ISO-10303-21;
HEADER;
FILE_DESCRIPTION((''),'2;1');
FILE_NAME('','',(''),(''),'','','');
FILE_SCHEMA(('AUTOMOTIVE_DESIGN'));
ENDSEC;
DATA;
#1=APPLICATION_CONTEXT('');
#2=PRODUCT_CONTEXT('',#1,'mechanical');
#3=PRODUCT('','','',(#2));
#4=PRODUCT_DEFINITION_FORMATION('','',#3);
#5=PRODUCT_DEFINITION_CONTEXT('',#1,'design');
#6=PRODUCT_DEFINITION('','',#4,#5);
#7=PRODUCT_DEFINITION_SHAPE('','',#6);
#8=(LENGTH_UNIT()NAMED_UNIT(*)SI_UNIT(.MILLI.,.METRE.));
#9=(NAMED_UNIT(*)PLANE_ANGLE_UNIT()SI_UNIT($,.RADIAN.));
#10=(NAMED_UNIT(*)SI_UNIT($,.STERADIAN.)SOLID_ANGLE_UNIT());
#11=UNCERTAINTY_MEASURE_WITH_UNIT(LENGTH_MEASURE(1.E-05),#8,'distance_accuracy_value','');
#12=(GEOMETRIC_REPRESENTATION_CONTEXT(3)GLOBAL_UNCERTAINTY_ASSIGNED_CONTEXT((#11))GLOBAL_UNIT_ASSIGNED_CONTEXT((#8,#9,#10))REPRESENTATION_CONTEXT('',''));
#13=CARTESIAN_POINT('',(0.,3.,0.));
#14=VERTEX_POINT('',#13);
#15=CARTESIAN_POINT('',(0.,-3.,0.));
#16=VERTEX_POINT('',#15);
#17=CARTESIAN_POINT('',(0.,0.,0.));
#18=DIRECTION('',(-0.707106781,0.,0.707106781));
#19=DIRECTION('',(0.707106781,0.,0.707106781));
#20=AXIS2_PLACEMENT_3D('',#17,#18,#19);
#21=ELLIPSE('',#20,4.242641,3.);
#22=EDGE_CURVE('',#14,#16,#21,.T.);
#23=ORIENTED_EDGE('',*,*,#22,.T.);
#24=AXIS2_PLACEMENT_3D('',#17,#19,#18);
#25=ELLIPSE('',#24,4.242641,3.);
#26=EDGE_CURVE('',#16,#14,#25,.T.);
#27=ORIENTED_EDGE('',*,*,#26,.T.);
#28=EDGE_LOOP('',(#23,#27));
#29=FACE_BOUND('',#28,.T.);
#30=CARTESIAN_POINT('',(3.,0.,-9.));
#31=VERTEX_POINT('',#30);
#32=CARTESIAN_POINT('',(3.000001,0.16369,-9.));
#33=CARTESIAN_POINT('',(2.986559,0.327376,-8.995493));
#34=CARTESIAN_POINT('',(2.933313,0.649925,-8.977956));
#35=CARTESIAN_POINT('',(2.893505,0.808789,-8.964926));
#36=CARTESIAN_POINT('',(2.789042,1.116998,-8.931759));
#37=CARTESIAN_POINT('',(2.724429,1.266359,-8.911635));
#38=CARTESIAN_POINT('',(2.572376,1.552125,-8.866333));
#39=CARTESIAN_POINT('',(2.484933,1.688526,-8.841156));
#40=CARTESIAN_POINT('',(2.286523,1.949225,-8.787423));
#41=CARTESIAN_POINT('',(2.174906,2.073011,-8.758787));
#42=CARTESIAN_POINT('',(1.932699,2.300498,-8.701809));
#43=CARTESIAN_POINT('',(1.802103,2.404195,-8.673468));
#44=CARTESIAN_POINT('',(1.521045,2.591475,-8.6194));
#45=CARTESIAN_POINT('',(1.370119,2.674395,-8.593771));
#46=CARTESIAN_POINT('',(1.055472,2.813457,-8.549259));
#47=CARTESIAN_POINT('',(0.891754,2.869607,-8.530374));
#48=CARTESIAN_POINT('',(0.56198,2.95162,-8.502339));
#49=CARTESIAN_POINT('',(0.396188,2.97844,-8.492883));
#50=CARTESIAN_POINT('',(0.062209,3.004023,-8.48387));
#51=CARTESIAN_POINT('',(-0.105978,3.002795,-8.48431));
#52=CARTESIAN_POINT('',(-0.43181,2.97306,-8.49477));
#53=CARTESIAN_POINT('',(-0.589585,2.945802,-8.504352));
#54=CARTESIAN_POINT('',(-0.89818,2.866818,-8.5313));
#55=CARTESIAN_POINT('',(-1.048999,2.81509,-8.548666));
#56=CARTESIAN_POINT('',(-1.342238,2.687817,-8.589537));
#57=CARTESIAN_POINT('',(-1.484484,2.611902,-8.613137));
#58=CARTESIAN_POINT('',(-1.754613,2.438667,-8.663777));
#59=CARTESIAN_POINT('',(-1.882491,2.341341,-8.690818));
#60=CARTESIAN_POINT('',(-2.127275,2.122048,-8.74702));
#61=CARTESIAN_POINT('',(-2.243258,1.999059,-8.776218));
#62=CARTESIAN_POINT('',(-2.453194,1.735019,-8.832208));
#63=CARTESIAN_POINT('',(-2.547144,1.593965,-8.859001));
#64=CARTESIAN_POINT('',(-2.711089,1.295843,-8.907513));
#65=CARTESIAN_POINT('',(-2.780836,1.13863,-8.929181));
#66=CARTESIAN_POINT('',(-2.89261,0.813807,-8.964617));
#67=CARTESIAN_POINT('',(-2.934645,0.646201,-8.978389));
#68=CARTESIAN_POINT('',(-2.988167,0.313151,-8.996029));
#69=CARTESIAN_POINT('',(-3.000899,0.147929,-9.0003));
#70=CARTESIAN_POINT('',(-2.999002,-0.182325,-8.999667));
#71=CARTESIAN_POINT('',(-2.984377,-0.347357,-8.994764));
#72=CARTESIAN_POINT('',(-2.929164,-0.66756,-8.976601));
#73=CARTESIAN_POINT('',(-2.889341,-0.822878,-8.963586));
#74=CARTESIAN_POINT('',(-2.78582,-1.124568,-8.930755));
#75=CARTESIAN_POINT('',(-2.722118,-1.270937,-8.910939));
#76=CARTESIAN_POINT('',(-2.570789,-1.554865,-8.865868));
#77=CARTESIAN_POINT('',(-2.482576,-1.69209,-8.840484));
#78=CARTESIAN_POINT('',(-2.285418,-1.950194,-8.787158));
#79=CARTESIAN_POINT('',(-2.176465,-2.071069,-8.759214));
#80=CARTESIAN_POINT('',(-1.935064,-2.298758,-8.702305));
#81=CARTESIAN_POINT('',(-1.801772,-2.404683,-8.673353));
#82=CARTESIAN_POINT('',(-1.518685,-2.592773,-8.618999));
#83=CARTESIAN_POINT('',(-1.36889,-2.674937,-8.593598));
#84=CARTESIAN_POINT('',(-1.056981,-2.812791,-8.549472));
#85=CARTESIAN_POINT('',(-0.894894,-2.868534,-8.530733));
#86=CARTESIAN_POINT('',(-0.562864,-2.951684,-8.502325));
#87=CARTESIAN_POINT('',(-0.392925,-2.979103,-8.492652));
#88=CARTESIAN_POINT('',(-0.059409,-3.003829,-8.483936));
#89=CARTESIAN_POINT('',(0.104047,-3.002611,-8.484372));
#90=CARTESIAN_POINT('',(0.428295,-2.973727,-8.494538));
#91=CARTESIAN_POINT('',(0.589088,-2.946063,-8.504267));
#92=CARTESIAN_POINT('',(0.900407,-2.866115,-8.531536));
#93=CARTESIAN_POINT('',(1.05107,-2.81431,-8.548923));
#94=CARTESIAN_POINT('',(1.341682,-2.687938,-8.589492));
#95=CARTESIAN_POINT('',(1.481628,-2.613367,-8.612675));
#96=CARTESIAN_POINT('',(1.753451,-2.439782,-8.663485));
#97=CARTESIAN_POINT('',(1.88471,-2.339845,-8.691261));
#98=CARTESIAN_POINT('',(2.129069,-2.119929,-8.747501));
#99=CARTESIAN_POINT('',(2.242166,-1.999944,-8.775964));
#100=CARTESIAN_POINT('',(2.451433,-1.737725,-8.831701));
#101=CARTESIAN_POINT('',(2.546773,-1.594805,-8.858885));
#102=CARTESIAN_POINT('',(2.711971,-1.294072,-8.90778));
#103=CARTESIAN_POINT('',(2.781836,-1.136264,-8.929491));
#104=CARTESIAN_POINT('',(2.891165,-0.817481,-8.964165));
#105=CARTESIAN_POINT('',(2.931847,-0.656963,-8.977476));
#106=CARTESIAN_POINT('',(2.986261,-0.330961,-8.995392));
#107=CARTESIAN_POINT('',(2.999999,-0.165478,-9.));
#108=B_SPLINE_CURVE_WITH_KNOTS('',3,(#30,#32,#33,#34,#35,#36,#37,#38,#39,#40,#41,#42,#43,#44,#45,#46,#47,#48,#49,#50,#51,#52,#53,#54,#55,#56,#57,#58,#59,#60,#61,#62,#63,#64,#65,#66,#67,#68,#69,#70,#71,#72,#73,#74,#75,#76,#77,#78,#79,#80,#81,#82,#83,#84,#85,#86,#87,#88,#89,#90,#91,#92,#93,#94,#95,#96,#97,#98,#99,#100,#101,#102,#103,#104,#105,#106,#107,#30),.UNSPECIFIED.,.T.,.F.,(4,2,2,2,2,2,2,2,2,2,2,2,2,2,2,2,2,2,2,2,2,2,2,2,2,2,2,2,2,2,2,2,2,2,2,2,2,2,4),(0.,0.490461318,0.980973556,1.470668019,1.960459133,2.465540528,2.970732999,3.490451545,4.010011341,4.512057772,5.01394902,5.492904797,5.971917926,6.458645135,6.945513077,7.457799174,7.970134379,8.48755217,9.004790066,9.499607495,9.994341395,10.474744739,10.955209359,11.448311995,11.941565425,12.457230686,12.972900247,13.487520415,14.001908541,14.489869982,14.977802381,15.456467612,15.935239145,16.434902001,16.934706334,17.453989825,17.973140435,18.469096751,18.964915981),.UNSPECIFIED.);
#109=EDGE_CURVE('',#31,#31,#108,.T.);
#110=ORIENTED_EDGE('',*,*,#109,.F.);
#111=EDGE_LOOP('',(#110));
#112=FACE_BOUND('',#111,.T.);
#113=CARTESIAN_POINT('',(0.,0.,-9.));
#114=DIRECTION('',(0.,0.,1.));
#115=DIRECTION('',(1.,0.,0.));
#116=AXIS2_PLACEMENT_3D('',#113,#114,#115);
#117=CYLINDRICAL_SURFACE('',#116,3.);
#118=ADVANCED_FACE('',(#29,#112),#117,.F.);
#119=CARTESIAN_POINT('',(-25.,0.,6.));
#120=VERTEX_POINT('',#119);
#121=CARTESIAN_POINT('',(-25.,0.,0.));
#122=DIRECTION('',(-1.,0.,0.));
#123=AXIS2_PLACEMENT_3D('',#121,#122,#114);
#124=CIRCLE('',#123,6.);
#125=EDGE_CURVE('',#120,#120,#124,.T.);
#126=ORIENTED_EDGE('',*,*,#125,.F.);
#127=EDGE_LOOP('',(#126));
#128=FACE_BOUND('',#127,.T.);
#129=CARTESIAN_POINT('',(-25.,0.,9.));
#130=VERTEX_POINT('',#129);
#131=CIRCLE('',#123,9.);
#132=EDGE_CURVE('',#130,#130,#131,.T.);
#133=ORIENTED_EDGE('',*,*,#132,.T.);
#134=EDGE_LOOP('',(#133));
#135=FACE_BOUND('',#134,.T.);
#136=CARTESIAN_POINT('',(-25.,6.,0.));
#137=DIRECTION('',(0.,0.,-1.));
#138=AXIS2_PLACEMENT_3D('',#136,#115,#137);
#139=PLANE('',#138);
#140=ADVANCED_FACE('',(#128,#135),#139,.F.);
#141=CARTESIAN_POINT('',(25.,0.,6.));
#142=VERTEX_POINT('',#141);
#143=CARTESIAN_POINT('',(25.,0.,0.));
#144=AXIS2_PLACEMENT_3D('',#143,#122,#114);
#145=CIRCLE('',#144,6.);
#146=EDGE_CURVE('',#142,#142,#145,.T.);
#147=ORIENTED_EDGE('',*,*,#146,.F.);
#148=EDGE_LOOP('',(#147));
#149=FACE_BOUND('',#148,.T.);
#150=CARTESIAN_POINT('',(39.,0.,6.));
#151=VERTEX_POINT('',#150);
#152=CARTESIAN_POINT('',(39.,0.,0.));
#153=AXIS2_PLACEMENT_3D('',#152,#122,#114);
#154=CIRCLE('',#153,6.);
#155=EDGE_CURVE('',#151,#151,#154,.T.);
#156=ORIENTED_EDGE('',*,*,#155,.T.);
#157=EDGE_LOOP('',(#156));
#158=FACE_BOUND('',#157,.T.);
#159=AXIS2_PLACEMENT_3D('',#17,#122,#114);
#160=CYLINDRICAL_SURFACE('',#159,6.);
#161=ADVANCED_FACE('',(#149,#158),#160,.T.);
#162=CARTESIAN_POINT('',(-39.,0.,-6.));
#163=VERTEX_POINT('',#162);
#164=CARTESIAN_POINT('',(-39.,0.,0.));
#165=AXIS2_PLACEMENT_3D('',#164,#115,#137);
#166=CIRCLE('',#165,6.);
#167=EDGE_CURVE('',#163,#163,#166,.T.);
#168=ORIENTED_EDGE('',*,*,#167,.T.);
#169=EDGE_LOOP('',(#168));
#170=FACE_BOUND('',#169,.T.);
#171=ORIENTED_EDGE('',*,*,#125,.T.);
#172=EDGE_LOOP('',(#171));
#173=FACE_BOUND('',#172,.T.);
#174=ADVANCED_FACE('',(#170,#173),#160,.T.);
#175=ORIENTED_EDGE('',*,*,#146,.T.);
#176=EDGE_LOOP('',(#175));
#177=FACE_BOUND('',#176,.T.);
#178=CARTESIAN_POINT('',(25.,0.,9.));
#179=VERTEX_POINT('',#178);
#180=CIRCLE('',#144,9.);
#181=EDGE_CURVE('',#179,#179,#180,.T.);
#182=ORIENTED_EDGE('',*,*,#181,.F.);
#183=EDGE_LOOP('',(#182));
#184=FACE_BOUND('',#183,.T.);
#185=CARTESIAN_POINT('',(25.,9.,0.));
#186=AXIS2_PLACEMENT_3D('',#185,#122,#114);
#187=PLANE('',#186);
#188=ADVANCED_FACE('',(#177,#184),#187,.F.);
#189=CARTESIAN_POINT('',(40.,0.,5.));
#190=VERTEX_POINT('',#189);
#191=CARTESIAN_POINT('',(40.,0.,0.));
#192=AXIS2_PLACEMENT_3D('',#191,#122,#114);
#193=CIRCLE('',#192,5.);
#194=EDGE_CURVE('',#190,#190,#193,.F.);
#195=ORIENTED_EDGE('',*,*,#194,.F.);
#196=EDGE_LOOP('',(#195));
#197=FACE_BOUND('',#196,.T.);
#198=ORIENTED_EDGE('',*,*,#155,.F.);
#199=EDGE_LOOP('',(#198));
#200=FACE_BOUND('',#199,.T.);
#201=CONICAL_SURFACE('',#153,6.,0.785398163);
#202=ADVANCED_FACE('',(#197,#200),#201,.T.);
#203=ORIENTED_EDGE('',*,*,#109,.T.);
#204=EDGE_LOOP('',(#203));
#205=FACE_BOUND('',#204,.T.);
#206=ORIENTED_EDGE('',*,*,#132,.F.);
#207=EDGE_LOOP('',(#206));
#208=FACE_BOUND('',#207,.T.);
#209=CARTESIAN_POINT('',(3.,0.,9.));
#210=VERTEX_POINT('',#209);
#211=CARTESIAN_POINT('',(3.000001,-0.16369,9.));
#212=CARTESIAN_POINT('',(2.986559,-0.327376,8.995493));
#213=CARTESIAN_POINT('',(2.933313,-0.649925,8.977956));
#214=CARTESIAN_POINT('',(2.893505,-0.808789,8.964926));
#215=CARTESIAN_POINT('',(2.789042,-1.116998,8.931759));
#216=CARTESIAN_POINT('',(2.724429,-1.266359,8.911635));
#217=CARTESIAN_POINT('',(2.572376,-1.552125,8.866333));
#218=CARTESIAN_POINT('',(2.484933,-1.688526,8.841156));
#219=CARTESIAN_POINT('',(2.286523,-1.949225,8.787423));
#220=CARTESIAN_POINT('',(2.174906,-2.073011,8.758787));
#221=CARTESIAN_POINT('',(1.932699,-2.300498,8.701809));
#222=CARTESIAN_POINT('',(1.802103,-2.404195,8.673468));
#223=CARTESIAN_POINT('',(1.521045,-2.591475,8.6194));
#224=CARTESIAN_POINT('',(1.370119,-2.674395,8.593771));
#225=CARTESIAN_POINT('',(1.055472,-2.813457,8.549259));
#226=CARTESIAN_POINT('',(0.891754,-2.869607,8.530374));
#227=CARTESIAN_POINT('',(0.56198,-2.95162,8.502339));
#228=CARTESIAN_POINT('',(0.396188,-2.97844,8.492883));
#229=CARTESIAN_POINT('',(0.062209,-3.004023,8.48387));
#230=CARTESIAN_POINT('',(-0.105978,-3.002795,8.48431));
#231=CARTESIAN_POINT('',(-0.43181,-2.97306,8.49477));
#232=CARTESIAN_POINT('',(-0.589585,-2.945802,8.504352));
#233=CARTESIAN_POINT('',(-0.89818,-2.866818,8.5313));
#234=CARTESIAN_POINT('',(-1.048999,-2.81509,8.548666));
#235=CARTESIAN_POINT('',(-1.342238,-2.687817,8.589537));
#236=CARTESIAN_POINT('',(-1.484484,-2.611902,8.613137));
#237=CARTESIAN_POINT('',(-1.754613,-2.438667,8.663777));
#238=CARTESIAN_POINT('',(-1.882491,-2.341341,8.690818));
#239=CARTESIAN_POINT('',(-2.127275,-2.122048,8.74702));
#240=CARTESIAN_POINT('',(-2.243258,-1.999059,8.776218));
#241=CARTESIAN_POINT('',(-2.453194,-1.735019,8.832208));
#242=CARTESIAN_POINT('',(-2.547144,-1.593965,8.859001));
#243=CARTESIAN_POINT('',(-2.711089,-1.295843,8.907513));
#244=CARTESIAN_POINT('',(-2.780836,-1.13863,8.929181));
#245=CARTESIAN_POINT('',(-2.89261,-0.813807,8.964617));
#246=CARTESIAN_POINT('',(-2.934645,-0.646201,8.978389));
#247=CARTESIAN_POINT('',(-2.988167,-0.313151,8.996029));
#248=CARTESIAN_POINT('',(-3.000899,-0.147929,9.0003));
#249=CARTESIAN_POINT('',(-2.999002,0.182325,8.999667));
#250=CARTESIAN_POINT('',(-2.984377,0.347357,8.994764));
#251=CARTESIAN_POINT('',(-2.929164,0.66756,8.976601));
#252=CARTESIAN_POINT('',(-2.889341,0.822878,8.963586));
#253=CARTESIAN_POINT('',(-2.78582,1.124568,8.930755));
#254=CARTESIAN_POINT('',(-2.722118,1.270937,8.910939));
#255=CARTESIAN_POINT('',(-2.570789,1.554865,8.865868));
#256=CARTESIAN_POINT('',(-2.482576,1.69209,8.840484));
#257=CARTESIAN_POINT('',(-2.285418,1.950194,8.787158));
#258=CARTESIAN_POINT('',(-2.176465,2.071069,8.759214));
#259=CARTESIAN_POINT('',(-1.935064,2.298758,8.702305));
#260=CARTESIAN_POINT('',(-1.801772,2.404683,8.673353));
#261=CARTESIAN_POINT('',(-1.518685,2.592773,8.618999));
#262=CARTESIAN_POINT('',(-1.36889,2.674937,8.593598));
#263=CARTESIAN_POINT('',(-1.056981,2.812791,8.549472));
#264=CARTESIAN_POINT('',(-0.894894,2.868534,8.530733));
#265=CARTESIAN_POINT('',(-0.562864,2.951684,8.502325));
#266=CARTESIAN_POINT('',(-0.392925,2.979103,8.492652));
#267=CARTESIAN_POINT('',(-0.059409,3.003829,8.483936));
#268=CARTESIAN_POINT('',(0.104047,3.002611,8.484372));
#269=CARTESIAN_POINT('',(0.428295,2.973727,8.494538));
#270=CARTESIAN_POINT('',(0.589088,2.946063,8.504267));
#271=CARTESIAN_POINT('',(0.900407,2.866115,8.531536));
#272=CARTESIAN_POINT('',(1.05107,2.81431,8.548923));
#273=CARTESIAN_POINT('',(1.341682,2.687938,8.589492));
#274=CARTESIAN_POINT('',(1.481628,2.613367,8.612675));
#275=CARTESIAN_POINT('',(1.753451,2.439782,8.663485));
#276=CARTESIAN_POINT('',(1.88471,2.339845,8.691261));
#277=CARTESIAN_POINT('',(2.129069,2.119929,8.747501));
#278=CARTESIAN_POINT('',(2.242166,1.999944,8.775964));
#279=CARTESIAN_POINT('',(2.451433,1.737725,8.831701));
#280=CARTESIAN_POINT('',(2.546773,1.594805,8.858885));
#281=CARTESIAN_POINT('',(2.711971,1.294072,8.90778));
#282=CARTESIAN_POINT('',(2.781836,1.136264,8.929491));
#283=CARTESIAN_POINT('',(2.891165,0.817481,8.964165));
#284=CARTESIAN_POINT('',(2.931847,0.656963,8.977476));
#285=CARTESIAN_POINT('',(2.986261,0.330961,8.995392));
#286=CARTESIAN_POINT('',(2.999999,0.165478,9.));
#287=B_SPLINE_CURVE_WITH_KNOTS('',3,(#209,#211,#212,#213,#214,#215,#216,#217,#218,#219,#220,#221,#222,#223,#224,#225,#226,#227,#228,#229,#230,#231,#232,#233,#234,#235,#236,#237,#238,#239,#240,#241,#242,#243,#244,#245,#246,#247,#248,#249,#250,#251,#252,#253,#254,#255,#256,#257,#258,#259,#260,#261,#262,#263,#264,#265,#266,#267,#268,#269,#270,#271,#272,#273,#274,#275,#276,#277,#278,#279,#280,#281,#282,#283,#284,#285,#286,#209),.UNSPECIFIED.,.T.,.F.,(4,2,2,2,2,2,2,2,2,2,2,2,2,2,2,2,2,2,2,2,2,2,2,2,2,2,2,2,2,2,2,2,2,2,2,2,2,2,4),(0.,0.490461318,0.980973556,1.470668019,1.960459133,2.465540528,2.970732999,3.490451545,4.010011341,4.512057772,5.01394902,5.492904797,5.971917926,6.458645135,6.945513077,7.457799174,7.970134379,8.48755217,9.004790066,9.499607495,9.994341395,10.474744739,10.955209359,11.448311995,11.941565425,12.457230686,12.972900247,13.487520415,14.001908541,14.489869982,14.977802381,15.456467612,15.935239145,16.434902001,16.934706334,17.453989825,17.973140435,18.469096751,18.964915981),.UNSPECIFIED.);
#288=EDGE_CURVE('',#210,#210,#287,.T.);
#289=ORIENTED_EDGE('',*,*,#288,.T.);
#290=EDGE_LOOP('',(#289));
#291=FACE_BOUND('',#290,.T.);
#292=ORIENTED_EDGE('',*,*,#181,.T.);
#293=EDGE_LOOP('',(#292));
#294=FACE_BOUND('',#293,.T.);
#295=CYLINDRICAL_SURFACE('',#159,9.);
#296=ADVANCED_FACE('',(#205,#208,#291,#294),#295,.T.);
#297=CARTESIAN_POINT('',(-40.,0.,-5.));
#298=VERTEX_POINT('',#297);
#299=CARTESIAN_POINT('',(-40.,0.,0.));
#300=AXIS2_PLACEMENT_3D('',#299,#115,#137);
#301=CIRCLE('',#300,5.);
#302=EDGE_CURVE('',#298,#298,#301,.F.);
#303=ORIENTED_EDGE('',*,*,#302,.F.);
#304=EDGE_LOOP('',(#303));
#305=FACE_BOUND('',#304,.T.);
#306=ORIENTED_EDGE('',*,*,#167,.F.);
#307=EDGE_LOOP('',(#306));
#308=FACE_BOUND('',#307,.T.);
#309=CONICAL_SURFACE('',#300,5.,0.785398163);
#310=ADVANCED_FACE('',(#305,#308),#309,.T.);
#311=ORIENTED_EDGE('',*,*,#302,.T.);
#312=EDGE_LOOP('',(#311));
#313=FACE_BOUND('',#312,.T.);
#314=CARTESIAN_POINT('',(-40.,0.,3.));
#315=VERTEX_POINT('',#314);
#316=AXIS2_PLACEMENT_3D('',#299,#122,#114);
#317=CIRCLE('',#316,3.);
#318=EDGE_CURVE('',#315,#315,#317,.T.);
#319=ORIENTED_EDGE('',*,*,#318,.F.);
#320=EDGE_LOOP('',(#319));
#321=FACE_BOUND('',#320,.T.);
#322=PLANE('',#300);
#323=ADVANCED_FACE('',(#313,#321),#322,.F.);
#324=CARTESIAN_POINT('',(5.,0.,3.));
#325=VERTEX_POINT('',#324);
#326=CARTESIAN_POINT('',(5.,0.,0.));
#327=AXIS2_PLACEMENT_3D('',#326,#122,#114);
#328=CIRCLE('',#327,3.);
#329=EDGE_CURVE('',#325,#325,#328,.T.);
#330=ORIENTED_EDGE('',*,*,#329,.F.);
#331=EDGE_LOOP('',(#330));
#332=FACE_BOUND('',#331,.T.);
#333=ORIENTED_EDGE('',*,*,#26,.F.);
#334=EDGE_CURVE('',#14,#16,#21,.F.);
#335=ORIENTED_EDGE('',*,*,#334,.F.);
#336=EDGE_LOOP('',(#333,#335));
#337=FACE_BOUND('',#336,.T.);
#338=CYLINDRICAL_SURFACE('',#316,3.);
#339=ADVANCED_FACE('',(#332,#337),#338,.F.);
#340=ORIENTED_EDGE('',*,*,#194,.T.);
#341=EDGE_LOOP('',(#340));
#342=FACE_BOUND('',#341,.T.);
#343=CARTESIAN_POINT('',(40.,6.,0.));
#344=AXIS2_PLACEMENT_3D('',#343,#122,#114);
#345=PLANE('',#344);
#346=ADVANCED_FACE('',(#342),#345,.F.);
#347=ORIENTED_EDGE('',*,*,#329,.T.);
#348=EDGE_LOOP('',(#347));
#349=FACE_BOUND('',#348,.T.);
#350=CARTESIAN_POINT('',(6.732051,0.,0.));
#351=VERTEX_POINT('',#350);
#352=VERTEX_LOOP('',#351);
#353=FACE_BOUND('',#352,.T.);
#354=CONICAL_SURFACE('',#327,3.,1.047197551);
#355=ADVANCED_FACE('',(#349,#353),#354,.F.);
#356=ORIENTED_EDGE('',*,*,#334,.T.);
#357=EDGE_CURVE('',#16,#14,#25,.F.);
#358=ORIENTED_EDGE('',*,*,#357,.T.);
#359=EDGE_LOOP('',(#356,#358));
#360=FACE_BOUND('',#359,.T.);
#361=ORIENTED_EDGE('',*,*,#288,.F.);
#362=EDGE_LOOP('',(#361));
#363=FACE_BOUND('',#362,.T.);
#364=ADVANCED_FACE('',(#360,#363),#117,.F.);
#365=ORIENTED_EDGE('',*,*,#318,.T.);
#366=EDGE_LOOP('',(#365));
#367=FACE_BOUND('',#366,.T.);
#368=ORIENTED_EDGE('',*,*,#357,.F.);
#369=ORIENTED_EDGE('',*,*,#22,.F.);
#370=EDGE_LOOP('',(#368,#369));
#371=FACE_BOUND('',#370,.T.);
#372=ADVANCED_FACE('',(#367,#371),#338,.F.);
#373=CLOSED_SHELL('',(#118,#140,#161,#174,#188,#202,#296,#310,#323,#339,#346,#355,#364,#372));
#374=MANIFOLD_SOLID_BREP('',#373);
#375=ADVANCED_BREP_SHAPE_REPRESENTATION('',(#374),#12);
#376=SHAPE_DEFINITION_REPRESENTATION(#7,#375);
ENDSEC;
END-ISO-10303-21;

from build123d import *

# Parameters (mm, degrees)
CUT_EXTRUDE1_DEPTH        = 42.976183724
CUT_EXTRUDE1_DEPTH_BACK   = 42.976183724
SKETCH2_R                 = 3
F_6_0MM_DOWEL_HOLE1_D     = 6
F_6_0MM_DOWEL_HOLE1_DEPTH = 45
F_6_0MM_DOWEL_HOLE1_TIP   = 1.732050808
CHAMFER1_SIZE             = 1


with BuildPart() as part:
    # Sketch1 → Revolve1 (revolve)
    with BuildSketch(Plane.XY, mode=Mode.PRIVATE) as revolve1_sk:
        Polygon((-40, 0), (-40, 6), (-25, 6), (-25, 9), (25, 9), (25, 6), (40, 6), (40, 0), align=None)
    revolve(revolve1_sk.sketch.rotate(Axis((0, 0, 0), (1, 0, 0)), 90), axis=Axis((0, 0, 0), (1, 0, 0)))

    # Sketch2 → Cut-Extrude1 (cut, two sides: drawn at the far end of the back side and taken through both)
    with BuildSketch(Plane.XY.offset(-CUT_EXTRUDE1_DEPTH_BACK)):
        Circle(SKETCH2_R)
    extrude(amount=CUT_EXTRUDE1_DEPTH + CUT_EXTRUDE1_DEPTH_BACK, mode=Mode.SUBTRACT)

    # Ø6.0mm Dowel Hole1
    with Locations(Plane.ZY.offset(40)):
        with Locations((0, 0)):
            Hole(F_6_0MM_DOWEL_HOLE1_D / 2, depth=F_6_0MM_DOWEL_HOLE1_DEPTH)
            with Locations((0, 0, -(F_6_0MM_DOWEL_HOLE1_DEPTH + F_6_0MM_DOWEL_HOLE1_TIP / 2))):  # 120° drill point
                Cone(0, F_6_0MM_DOWEL_HOLE1_D / 2, F_6_0MM_DOWEL_HOLE1_TIP, mode=Mode.SUBTRACT)

    # Chamfer1
    chamfer1_edges = [part.edges().sort_by_distance(p)[0] for p in [
        (40, 0, -6),
        (-40, 0, -6),
    ]]
    chamfer(chamfer1_edges, length=CHAMFER1_SIZE)


solid = part.part
